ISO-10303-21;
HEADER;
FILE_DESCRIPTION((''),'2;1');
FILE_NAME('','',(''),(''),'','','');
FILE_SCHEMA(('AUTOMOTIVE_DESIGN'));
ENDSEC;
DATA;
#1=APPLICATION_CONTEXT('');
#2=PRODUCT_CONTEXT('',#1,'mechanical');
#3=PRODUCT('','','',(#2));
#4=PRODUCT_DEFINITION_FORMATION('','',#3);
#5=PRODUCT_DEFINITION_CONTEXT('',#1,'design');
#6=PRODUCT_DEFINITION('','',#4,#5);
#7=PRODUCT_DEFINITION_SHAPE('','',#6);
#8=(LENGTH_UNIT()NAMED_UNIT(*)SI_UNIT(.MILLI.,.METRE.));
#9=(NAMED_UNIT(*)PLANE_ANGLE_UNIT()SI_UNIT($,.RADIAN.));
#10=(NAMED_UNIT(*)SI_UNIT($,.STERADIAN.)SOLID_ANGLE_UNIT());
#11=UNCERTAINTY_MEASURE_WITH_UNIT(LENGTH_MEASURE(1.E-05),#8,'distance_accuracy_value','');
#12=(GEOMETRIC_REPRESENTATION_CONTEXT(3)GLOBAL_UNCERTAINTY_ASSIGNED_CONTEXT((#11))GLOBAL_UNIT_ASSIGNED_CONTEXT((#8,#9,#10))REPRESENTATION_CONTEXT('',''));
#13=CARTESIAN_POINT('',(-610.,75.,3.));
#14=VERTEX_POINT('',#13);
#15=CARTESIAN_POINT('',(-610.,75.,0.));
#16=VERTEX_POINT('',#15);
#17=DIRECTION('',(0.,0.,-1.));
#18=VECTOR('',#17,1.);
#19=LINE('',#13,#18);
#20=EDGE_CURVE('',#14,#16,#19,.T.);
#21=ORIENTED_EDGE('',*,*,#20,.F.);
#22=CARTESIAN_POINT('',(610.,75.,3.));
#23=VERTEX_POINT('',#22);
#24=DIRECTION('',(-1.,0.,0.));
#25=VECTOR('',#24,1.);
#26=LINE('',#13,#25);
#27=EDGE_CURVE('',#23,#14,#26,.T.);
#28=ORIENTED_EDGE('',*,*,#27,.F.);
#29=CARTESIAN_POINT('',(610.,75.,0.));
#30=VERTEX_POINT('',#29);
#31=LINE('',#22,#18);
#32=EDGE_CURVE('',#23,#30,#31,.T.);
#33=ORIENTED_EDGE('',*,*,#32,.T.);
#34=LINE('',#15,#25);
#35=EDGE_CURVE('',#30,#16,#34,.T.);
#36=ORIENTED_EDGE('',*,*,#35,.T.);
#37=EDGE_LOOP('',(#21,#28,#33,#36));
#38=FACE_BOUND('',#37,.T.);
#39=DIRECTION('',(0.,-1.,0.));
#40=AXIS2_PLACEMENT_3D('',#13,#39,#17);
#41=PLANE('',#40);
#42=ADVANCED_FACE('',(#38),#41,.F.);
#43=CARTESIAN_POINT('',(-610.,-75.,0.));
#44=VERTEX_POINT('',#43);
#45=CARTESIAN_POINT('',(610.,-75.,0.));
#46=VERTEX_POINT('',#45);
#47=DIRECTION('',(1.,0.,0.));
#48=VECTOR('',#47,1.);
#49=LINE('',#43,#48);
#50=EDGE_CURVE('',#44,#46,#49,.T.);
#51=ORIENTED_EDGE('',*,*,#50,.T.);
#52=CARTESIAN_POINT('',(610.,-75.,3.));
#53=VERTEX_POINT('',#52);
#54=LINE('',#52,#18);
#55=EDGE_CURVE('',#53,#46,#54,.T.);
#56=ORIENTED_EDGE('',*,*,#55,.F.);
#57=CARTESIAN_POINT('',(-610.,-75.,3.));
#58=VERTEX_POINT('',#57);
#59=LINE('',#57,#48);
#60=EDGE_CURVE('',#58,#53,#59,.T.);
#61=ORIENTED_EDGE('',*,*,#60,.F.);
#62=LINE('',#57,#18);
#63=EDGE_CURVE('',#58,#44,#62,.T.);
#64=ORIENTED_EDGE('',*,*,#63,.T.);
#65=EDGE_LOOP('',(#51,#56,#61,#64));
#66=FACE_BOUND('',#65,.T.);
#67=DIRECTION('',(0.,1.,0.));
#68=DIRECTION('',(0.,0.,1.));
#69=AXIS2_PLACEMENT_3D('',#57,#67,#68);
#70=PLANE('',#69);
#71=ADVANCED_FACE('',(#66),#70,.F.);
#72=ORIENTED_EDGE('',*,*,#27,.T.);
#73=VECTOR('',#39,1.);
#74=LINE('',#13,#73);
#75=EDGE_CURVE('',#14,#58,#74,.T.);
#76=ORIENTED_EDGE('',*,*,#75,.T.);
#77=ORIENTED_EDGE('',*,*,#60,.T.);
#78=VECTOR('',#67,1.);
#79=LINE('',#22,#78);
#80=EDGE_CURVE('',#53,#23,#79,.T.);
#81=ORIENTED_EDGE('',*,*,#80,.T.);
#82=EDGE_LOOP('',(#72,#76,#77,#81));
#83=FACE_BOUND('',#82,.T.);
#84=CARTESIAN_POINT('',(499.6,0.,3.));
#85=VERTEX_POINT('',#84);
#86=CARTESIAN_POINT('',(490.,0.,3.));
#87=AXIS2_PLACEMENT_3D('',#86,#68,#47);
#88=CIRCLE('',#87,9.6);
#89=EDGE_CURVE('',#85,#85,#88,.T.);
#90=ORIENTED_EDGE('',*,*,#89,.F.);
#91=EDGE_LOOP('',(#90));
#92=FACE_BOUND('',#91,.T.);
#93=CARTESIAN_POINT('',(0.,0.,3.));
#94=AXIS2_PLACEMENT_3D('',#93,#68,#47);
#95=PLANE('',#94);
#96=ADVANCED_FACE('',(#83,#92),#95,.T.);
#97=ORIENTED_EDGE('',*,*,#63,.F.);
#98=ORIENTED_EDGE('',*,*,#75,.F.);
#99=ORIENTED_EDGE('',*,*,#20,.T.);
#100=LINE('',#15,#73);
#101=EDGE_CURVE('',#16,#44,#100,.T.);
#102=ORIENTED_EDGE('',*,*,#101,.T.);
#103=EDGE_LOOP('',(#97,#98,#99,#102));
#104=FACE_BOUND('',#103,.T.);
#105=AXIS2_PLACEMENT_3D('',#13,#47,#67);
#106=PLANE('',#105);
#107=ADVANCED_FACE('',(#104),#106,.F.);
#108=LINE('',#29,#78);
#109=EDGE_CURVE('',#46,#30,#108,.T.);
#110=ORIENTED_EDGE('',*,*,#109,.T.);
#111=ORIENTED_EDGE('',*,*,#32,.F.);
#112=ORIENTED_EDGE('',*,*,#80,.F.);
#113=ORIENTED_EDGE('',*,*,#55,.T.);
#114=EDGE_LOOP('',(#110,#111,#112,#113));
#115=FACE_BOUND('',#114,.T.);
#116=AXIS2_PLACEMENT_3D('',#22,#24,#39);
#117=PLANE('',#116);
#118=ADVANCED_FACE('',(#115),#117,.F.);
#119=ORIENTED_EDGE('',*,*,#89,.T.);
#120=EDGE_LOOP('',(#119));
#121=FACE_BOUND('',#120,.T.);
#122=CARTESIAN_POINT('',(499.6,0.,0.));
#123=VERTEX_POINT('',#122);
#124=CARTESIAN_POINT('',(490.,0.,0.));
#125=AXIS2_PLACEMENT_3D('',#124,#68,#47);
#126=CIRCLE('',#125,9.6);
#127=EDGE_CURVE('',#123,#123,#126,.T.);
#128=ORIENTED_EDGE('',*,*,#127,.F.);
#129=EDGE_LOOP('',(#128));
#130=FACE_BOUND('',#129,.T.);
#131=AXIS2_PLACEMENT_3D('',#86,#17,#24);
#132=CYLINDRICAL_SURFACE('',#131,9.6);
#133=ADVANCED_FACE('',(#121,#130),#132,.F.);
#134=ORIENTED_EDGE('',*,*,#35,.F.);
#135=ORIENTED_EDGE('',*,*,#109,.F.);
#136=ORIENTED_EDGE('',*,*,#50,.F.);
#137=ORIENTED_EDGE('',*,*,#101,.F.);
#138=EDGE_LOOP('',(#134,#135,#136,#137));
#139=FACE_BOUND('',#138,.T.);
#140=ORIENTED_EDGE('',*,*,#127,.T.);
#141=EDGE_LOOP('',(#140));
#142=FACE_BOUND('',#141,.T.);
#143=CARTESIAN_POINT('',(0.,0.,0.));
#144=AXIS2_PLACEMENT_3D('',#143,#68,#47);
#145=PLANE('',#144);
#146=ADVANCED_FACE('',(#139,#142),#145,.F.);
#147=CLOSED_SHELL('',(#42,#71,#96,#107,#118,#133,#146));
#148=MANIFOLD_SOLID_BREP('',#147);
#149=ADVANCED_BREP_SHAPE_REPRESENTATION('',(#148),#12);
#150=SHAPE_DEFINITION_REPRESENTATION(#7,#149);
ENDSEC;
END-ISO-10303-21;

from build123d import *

# Parameters (mm, degrees)
SKETCH1_W           = 1220
SKETCH1_H           = 150
SKETCH1_R           = 9.6
BOSS_EXTRUDE1_DEPTH = 3


with BuildPart() as part:
    # Sketch1 → Boss-Extrude1 (new body)
    with BuildSketch(Plane.XY):
        Rectangle(SKETCH1_W, SKETCH1_H)
        with Locations((490, 0)):
            Circle(SKETCH1_R, mode=Mode.SUBTRACT)
    extrude(amount=BOSS_EXTRUDE1_DEPTH)


solid = part.part
